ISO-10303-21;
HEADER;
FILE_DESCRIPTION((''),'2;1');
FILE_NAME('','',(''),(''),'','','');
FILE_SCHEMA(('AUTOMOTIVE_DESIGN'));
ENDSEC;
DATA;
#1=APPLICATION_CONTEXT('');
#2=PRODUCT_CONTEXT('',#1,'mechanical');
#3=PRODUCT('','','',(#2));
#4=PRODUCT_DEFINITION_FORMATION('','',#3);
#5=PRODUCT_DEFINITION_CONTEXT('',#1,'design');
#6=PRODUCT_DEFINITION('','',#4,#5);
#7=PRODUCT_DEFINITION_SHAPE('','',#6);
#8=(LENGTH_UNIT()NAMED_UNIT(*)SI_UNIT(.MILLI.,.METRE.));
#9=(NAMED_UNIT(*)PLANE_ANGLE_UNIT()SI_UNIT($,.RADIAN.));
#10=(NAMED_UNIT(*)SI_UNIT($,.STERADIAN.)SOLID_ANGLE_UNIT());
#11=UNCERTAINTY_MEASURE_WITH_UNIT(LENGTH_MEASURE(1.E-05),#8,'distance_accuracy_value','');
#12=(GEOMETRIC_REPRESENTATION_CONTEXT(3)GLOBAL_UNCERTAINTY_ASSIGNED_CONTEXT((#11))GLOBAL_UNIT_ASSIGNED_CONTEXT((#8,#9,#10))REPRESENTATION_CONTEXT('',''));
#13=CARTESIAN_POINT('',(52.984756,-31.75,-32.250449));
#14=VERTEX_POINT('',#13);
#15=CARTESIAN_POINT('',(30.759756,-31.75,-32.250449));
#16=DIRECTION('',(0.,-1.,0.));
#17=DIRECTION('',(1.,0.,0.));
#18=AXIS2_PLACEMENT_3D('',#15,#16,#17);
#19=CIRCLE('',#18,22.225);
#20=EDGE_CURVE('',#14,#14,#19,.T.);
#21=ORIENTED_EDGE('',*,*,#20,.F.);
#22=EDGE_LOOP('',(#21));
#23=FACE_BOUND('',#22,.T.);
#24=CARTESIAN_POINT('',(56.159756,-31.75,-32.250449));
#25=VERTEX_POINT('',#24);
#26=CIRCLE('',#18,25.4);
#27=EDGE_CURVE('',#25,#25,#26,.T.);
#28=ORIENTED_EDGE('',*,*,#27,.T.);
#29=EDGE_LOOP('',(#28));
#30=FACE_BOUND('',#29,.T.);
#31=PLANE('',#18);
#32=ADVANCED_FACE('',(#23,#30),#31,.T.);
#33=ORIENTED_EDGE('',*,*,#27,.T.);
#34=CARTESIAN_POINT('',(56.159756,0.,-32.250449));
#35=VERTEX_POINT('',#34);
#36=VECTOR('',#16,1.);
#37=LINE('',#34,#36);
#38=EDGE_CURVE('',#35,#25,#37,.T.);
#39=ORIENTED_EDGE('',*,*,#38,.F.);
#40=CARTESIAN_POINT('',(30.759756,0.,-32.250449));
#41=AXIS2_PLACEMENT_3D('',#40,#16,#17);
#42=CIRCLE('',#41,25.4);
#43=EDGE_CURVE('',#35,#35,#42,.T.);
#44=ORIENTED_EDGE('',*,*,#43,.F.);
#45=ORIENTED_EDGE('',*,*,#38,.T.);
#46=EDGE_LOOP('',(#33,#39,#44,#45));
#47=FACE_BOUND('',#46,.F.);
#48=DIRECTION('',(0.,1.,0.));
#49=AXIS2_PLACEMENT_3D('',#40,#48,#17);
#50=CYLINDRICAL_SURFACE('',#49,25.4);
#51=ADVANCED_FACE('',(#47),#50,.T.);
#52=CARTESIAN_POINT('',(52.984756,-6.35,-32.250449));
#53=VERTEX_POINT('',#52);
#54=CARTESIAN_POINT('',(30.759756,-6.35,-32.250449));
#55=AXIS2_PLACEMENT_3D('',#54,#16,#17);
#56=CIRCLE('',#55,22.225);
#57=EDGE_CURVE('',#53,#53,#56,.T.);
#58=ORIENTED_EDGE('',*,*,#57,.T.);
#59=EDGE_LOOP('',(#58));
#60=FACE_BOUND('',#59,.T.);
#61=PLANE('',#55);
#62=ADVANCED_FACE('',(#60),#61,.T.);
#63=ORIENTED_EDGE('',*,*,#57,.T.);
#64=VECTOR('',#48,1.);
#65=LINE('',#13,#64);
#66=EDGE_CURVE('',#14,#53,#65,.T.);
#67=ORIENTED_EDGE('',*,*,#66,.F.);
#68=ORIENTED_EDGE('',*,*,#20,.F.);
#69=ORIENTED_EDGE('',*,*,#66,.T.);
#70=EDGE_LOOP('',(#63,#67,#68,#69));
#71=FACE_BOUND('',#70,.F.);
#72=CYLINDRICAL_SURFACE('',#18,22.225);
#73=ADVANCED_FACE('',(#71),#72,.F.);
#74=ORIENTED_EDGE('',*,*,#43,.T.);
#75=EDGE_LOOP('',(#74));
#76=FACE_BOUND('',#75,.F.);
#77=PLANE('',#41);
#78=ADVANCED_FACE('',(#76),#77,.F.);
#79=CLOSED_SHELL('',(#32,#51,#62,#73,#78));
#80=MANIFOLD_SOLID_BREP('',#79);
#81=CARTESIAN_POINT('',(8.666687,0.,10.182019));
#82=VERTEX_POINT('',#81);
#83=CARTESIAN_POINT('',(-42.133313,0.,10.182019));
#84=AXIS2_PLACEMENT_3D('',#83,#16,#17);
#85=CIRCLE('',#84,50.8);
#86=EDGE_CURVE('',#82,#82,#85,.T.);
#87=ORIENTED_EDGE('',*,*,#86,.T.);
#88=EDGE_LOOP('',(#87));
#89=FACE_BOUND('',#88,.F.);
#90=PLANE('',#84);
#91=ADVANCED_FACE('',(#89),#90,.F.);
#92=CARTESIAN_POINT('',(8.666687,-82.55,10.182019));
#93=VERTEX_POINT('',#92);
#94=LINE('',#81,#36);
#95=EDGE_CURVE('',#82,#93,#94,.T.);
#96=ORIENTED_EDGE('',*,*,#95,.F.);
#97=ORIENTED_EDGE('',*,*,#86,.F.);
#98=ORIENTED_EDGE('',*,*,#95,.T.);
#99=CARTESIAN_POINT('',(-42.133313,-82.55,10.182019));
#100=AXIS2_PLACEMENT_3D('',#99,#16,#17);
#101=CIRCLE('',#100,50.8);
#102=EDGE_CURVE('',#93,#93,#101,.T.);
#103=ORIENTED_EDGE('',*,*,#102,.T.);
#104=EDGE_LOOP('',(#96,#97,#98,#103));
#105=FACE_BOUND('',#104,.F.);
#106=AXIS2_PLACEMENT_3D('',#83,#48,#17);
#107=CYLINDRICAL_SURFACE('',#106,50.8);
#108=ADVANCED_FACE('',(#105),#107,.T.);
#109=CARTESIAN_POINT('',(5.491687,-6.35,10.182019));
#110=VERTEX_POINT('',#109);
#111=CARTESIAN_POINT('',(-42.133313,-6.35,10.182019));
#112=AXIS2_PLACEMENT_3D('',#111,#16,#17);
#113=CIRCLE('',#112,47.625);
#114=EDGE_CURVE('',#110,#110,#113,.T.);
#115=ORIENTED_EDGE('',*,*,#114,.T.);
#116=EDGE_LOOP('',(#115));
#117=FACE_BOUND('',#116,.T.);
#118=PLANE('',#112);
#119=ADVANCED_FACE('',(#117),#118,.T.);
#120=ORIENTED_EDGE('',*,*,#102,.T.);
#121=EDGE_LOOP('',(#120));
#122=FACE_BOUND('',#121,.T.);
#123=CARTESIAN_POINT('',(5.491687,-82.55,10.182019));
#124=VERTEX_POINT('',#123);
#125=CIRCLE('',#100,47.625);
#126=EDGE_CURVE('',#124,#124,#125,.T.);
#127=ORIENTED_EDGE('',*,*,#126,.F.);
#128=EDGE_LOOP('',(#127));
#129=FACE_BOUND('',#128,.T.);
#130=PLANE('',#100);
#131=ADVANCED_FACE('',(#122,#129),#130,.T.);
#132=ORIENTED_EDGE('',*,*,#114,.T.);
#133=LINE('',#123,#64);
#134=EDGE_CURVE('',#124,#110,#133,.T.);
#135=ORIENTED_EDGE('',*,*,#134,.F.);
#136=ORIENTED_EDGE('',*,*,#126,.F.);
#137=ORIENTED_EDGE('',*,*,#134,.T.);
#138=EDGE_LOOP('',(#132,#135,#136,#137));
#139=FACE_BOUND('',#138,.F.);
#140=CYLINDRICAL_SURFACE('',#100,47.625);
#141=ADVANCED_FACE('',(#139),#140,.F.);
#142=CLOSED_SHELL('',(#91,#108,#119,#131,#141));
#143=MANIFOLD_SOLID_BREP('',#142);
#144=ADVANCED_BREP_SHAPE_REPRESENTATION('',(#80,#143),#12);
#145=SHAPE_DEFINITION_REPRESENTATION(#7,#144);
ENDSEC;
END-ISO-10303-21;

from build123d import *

# Parameters (mm, degrees)
F0_R     = 50.8
F2_DEPTH = 82.55
F1_R     = 25.4
F3_DEPTH = 31.75
F4_R     = 47.625
F5_DEPTH = 76.2
F6_R     = 22.225
F7_DEPTH = 25.4


with BuildPart() as f2:
    # F0 (on Front) → F2 (new body)
    with BuildSketch(Plane.XZ):
        with Locations((-42.133313, 10.182019)):
            Circle(F0_R)
    extrude(amount=F2_DEPTH)

    # F4 (on face) → F5 (cut)
    with BuildSketch(Plane.XZ.offset(82.55)):
        with Locations((-42.133313, 10.182019)):
            Circle(F4_R)
    extrude(amount=-F5_DEPTH, mode=Mode.SUBTRACT)


with BuildPart() as f3:
    # F1 (on Front) → F3 (new body)
    with BuildSketch(Plane.XZ):
        with Locations((30.759756, -32.250449)):
            Circle(F1_R)
    extrude(amount=F3_DEPTH)

    # F6 (on face) → F7 (cut)
    with BuildSketch(Plane.XZ.offset(31.75)):
        with Locations((30.759756, -32.250449)):
            Circle(F6_R)
    extrude(amount=-F7_DEPTH, mode=Mode.SUBTRACT)


solid = Compound([f2.part, f3.part])
